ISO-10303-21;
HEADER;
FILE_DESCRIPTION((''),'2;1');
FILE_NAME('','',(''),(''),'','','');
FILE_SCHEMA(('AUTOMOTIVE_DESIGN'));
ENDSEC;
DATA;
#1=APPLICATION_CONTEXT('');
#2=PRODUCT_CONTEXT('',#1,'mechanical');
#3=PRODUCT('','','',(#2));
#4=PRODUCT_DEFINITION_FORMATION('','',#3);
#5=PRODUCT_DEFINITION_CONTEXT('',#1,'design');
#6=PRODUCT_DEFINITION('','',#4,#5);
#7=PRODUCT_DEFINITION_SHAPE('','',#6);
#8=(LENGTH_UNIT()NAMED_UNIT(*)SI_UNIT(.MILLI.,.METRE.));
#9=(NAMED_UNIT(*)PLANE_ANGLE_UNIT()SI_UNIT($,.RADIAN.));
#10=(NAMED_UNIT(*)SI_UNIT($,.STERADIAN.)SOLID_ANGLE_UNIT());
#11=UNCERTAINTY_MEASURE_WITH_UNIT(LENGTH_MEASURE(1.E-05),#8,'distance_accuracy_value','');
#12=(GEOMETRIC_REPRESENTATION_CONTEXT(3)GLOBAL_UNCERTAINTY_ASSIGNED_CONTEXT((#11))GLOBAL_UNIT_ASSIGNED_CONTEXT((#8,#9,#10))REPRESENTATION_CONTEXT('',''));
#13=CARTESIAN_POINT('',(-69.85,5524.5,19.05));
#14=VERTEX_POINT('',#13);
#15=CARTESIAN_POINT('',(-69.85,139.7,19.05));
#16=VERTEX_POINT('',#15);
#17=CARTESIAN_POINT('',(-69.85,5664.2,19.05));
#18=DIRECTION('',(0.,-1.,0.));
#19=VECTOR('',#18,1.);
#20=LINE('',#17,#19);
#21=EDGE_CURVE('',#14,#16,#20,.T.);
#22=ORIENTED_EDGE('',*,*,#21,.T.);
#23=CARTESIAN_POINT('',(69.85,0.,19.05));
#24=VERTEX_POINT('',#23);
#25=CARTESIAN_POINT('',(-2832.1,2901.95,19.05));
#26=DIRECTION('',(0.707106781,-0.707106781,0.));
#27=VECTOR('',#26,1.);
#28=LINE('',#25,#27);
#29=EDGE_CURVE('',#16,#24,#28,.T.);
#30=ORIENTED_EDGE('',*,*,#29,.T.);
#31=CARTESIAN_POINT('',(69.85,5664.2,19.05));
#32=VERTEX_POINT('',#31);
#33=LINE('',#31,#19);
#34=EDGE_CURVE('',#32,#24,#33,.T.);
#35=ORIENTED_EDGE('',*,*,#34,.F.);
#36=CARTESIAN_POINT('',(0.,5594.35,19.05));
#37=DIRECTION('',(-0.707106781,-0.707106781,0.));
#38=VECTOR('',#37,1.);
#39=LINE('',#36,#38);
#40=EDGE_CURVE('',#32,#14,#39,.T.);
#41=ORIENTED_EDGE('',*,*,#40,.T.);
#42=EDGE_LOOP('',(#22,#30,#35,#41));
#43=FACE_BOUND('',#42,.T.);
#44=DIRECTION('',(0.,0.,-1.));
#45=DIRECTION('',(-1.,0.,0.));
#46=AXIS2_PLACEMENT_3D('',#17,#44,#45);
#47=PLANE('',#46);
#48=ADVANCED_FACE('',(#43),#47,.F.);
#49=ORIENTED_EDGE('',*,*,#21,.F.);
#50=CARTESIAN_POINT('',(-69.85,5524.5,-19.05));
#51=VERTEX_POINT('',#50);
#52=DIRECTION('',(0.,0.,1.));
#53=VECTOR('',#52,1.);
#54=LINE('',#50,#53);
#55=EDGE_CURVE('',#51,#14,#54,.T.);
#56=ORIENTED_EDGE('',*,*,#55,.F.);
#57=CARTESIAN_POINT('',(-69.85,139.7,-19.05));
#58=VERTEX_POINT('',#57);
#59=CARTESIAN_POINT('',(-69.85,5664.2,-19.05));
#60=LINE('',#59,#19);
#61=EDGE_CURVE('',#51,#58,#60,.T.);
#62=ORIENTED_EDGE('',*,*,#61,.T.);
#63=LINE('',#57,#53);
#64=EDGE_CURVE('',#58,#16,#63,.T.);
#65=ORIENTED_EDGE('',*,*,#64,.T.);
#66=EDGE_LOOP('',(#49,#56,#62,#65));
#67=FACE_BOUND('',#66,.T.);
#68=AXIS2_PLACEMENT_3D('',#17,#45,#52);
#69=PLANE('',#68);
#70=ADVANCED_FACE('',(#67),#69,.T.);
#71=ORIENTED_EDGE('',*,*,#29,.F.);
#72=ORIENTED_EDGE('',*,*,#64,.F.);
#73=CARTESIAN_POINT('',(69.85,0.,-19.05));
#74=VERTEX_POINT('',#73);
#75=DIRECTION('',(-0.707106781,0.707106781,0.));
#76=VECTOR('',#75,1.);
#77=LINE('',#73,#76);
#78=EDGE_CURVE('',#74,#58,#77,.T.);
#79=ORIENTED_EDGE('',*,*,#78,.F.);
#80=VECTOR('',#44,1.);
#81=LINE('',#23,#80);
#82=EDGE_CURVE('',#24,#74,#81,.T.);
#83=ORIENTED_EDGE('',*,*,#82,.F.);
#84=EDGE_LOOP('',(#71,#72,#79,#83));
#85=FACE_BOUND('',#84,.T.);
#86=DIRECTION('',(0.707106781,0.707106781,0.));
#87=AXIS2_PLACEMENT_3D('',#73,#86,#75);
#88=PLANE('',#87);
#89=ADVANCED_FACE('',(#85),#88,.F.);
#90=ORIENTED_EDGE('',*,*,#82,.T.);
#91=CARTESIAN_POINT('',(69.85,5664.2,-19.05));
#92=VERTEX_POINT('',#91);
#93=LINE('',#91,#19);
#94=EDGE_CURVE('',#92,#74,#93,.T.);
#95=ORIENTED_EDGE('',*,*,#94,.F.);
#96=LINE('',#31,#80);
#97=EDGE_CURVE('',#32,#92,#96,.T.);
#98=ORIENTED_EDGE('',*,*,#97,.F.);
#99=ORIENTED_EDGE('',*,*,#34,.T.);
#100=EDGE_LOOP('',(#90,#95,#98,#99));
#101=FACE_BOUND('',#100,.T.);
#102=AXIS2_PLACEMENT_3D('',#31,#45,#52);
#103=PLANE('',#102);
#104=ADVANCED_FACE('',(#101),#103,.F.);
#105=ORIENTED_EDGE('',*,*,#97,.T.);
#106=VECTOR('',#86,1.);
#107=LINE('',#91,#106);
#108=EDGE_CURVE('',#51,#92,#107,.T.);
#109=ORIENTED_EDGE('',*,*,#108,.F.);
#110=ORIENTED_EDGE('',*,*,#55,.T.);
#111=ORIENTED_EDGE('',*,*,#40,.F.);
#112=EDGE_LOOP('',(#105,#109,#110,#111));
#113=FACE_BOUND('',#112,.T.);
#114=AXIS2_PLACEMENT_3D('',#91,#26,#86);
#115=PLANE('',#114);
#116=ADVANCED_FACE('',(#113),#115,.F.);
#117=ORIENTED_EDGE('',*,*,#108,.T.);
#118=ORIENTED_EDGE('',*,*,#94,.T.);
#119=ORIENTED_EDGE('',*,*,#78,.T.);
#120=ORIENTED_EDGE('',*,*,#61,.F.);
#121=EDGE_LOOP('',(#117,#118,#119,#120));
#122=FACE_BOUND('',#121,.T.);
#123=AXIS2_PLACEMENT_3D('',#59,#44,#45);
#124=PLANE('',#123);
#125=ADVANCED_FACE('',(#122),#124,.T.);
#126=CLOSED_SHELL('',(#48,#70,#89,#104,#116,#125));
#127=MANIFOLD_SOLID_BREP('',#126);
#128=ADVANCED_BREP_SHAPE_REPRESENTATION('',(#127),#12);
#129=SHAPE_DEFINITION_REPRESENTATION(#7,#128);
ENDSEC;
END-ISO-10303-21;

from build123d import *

# Parameters (mm, degrees)
SKETCH1_W               = 139.7
SKETCH1_H               = 38.1
BOSS_EXTRUDE1_DEPTH     = 5664.2
CUT_EXTRUDE1_DEPTH      = 1
CUT_EXTRUDE1_DEPTH_BACK = 39.1


with BuildPart() as part:
    # Sketch1 → Boss-Extrude1 (new body)
    with BuildSketch(Plane(origin=(0, 0, 0), x_dir=(1, 0, 0), z_dir=(0, 1, 0))):
        Rectangle(SKETCH1_W, SKETCH1_H)
    extrude(amount=BOSS_EXTRUDE1_DEPTH)

    # Sketch2 → Cut-Extrude1 (cut, two sides)
    with BuildSketch(Plane.XY.offset(19.05)) as cut_extrude1_sk:
        Polygon((69.85, 5664.2), (-69.85, 5524.5), (-69.85, 5664.2), align=None)
        Polygon((69.85, 0), (-69.85, 139.7), (-69.85, 0), align=None)
    extrude(amount=CUT_EXTRUDE1_DEPTH, mode=Mode.SUBTRACT)
    extrude(cut_extrude1_sk.sketch, amount=-CUT_EXTRUDE1_DEPTH_BACK, mode=Mode.SUBTRACT)


solid = part.part
